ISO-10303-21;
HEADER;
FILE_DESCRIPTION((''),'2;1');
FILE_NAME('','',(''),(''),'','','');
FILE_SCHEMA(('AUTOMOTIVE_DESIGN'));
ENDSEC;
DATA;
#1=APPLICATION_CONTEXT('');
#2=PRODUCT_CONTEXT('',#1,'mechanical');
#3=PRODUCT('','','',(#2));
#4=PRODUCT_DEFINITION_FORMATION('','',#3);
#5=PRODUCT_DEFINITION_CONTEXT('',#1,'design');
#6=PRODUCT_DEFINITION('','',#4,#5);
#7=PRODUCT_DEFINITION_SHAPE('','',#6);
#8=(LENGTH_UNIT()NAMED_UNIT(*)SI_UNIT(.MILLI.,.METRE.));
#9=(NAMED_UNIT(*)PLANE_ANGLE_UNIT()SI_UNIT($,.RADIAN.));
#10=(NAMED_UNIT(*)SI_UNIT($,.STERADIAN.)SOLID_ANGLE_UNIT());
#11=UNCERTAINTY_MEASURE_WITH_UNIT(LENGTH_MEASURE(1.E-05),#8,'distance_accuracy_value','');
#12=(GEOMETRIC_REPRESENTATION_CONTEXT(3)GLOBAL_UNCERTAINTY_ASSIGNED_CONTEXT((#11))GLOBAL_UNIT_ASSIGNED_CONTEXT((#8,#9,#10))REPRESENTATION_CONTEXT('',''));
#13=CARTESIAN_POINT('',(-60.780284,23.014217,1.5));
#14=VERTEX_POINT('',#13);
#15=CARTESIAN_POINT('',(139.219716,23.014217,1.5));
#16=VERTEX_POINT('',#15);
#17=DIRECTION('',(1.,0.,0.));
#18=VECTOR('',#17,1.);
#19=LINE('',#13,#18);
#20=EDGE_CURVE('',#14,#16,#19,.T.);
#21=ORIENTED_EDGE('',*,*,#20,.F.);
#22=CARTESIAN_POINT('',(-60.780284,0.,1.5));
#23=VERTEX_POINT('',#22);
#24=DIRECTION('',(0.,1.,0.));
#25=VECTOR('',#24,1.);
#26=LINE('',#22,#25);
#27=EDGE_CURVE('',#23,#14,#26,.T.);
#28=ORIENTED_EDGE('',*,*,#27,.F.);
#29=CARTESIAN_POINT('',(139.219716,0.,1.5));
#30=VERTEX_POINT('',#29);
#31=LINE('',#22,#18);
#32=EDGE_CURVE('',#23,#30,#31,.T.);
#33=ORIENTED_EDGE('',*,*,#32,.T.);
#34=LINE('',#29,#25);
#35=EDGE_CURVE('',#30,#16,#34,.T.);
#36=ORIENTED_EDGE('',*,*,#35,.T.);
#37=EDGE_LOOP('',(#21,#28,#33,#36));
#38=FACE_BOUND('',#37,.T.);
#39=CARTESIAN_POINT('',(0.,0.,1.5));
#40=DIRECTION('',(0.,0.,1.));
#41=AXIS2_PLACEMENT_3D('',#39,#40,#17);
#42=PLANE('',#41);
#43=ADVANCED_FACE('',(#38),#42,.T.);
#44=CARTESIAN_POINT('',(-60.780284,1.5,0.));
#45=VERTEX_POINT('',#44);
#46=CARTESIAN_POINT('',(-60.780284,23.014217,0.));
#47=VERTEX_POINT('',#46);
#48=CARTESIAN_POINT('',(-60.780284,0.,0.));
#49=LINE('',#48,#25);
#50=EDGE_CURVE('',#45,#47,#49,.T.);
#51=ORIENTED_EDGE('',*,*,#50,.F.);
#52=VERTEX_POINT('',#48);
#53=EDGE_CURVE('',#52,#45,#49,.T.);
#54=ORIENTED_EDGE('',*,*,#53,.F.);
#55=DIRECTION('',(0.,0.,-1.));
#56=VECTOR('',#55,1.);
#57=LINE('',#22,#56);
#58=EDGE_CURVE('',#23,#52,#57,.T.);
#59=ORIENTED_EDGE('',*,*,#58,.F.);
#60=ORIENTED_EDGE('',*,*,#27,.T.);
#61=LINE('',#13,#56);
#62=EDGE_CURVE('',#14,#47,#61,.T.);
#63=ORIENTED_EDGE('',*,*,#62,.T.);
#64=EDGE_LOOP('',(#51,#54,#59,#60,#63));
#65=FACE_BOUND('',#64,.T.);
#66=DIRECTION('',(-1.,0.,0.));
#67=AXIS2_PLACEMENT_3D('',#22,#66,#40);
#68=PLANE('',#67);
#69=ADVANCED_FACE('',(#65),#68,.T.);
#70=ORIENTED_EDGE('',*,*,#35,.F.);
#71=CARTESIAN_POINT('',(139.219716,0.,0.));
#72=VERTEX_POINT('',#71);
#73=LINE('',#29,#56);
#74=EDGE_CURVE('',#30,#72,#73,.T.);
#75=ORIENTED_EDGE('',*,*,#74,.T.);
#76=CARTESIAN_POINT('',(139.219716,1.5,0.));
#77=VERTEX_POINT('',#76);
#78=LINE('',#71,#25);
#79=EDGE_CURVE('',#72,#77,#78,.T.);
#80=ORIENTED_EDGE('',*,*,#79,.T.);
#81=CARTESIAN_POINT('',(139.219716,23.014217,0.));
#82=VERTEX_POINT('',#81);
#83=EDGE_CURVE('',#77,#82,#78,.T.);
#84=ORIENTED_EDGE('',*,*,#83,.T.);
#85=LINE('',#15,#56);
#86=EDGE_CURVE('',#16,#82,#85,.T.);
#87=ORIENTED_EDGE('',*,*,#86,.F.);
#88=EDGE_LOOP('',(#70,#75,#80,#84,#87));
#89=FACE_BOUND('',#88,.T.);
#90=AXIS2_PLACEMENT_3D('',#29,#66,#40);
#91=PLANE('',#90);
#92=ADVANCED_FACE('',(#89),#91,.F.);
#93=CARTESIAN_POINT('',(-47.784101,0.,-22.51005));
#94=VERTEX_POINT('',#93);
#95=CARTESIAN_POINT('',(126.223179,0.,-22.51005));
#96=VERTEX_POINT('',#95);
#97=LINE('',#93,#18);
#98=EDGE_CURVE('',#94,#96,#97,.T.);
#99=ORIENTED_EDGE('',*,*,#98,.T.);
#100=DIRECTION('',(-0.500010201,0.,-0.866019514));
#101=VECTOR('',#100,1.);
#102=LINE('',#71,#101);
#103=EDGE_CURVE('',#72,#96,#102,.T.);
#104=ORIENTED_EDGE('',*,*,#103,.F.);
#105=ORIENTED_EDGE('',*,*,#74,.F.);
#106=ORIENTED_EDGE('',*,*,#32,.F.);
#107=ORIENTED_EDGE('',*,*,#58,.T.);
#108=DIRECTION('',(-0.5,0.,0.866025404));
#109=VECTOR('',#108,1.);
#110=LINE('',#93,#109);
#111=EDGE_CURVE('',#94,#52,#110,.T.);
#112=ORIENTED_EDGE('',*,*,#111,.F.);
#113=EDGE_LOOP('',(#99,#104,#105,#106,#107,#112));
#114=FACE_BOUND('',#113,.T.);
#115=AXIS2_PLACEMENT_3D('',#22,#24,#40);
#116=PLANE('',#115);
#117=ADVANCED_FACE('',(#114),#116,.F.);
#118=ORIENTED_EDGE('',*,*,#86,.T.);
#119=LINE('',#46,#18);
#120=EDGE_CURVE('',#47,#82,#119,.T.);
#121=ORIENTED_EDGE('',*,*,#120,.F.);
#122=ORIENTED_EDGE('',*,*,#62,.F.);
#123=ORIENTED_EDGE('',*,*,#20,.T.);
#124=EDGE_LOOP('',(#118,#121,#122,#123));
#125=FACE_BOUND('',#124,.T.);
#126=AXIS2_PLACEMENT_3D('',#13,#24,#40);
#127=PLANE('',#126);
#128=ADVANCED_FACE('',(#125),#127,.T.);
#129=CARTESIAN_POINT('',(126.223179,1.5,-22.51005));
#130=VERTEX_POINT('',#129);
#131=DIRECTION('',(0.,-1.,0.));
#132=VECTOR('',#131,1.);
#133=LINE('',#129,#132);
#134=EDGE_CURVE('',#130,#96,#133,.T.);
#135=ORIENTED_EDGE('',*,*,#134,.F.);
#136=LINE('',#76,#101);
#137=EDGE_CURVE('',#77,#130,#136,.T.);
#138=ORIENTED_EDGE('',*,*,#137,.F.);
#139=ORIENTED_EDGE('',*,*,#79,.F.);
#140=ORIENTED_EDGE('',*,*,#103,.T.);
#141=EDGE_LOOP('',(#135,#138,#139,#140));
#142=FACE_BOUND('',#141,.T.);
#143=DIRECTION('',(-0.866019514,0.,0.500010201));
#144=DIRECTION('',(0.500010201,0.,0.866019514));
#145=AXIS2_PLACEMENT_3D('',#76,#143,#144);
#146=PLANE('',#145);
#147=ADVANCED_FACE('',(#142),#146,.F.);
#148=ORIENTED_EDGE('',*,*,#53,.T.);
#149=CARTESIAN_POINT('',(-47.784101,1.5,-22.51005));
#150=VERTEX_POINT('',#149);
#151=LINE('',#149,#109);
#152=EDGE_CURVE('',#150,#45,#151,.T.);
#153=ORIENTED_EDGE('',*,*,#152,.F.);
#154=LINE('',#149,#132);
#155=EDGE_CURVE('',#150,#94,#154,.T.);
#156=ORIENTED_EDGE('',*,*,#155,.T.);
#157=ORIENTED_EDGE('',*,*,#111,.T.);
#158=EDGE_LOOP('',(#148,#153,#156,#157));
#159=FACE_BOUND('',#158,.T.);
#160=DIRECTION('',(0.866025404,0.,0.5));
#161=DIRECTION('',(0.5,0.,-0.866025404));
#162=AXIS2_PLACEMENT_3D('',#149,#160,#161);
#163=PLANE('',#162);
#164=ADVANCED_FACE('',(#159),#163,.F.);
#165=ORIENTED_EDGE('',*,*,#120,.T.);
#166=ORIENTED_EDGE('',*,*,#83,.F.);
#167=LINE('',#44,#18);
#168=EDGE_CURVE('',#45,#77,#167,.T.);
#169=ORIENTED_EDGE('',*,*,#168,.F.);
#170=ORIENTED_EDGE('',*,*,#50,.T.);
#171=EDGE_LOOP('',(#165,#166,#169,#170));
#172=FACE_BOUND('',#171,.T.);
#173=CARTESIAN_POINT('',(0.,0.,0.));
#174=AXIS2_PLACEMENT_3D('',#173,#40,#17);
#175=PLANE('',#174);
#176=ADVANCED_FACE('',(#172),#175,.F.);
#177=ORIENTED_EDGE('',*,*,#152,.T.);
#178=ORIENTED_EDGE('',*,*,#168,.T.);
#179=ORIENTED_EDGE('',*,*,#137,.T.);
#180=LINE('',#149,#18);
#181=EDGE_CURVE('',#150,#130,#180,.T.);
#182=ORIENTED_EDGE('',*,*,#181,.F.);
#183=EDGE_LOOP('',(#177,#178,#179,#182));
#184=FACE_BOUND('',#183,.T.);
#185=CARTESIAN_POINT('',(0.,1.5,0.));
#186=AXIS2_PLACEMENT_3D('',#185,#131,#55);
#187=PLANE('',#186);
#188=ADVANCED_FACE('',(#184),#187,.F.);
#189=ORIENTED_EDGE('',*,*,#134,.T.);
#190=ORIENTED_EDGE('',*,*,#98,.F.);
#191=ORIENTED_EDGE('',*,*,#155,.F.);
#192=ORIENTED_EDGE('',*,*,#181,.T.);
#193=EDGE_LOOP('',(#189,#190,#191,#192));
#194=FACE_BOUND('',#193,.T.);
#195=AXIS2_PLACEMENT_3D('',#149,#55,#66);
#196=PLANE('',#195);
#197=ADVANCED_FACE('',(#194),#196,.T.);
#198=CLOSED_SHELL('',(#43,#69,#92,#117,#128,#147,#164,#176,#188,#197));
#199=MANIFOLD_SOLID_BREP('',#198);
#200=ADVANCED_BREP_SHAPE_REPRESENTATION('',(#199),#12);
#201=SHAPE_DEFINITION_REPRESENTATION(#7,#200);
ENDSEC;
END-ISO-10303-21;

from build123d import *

# Parameters (mm, degrees)
SKETCH18_W          = 200
SKETCH18_H          = 23.014216905
BOSS_EXTRUDE4_DEPTH = 1.5
BOSS_EXTRUDE5_DEPTH = 1.5


with BuildPart() as part:
    # Sketch18 → Boss-Extrude4 (new body)
    with BuildSketch(Plane.XY):
        with Locations((39.219715871, 11.507108453)):
            Rectangle(SKETCH18_W, SKETCH18_H)
    extrude(amount=BOSS_EXTRUDE4_DEPTH)

    # Sketch16 → Boss-Extrude5 (add)
    with BuildSketch(Plane(origin=(0, 0, 0), x_dir=(1, 0, 0), z_dir=(0, 1, 0))):
        Polygon((-47.784100803, 22.510049826), (126.22317902, 22.510049826), (139.219715871, 0), (-60.780284129, 0), align=None)
    extrude(amount=BOSS_EXTRUDE5_DEPTH)


solid = part.part
